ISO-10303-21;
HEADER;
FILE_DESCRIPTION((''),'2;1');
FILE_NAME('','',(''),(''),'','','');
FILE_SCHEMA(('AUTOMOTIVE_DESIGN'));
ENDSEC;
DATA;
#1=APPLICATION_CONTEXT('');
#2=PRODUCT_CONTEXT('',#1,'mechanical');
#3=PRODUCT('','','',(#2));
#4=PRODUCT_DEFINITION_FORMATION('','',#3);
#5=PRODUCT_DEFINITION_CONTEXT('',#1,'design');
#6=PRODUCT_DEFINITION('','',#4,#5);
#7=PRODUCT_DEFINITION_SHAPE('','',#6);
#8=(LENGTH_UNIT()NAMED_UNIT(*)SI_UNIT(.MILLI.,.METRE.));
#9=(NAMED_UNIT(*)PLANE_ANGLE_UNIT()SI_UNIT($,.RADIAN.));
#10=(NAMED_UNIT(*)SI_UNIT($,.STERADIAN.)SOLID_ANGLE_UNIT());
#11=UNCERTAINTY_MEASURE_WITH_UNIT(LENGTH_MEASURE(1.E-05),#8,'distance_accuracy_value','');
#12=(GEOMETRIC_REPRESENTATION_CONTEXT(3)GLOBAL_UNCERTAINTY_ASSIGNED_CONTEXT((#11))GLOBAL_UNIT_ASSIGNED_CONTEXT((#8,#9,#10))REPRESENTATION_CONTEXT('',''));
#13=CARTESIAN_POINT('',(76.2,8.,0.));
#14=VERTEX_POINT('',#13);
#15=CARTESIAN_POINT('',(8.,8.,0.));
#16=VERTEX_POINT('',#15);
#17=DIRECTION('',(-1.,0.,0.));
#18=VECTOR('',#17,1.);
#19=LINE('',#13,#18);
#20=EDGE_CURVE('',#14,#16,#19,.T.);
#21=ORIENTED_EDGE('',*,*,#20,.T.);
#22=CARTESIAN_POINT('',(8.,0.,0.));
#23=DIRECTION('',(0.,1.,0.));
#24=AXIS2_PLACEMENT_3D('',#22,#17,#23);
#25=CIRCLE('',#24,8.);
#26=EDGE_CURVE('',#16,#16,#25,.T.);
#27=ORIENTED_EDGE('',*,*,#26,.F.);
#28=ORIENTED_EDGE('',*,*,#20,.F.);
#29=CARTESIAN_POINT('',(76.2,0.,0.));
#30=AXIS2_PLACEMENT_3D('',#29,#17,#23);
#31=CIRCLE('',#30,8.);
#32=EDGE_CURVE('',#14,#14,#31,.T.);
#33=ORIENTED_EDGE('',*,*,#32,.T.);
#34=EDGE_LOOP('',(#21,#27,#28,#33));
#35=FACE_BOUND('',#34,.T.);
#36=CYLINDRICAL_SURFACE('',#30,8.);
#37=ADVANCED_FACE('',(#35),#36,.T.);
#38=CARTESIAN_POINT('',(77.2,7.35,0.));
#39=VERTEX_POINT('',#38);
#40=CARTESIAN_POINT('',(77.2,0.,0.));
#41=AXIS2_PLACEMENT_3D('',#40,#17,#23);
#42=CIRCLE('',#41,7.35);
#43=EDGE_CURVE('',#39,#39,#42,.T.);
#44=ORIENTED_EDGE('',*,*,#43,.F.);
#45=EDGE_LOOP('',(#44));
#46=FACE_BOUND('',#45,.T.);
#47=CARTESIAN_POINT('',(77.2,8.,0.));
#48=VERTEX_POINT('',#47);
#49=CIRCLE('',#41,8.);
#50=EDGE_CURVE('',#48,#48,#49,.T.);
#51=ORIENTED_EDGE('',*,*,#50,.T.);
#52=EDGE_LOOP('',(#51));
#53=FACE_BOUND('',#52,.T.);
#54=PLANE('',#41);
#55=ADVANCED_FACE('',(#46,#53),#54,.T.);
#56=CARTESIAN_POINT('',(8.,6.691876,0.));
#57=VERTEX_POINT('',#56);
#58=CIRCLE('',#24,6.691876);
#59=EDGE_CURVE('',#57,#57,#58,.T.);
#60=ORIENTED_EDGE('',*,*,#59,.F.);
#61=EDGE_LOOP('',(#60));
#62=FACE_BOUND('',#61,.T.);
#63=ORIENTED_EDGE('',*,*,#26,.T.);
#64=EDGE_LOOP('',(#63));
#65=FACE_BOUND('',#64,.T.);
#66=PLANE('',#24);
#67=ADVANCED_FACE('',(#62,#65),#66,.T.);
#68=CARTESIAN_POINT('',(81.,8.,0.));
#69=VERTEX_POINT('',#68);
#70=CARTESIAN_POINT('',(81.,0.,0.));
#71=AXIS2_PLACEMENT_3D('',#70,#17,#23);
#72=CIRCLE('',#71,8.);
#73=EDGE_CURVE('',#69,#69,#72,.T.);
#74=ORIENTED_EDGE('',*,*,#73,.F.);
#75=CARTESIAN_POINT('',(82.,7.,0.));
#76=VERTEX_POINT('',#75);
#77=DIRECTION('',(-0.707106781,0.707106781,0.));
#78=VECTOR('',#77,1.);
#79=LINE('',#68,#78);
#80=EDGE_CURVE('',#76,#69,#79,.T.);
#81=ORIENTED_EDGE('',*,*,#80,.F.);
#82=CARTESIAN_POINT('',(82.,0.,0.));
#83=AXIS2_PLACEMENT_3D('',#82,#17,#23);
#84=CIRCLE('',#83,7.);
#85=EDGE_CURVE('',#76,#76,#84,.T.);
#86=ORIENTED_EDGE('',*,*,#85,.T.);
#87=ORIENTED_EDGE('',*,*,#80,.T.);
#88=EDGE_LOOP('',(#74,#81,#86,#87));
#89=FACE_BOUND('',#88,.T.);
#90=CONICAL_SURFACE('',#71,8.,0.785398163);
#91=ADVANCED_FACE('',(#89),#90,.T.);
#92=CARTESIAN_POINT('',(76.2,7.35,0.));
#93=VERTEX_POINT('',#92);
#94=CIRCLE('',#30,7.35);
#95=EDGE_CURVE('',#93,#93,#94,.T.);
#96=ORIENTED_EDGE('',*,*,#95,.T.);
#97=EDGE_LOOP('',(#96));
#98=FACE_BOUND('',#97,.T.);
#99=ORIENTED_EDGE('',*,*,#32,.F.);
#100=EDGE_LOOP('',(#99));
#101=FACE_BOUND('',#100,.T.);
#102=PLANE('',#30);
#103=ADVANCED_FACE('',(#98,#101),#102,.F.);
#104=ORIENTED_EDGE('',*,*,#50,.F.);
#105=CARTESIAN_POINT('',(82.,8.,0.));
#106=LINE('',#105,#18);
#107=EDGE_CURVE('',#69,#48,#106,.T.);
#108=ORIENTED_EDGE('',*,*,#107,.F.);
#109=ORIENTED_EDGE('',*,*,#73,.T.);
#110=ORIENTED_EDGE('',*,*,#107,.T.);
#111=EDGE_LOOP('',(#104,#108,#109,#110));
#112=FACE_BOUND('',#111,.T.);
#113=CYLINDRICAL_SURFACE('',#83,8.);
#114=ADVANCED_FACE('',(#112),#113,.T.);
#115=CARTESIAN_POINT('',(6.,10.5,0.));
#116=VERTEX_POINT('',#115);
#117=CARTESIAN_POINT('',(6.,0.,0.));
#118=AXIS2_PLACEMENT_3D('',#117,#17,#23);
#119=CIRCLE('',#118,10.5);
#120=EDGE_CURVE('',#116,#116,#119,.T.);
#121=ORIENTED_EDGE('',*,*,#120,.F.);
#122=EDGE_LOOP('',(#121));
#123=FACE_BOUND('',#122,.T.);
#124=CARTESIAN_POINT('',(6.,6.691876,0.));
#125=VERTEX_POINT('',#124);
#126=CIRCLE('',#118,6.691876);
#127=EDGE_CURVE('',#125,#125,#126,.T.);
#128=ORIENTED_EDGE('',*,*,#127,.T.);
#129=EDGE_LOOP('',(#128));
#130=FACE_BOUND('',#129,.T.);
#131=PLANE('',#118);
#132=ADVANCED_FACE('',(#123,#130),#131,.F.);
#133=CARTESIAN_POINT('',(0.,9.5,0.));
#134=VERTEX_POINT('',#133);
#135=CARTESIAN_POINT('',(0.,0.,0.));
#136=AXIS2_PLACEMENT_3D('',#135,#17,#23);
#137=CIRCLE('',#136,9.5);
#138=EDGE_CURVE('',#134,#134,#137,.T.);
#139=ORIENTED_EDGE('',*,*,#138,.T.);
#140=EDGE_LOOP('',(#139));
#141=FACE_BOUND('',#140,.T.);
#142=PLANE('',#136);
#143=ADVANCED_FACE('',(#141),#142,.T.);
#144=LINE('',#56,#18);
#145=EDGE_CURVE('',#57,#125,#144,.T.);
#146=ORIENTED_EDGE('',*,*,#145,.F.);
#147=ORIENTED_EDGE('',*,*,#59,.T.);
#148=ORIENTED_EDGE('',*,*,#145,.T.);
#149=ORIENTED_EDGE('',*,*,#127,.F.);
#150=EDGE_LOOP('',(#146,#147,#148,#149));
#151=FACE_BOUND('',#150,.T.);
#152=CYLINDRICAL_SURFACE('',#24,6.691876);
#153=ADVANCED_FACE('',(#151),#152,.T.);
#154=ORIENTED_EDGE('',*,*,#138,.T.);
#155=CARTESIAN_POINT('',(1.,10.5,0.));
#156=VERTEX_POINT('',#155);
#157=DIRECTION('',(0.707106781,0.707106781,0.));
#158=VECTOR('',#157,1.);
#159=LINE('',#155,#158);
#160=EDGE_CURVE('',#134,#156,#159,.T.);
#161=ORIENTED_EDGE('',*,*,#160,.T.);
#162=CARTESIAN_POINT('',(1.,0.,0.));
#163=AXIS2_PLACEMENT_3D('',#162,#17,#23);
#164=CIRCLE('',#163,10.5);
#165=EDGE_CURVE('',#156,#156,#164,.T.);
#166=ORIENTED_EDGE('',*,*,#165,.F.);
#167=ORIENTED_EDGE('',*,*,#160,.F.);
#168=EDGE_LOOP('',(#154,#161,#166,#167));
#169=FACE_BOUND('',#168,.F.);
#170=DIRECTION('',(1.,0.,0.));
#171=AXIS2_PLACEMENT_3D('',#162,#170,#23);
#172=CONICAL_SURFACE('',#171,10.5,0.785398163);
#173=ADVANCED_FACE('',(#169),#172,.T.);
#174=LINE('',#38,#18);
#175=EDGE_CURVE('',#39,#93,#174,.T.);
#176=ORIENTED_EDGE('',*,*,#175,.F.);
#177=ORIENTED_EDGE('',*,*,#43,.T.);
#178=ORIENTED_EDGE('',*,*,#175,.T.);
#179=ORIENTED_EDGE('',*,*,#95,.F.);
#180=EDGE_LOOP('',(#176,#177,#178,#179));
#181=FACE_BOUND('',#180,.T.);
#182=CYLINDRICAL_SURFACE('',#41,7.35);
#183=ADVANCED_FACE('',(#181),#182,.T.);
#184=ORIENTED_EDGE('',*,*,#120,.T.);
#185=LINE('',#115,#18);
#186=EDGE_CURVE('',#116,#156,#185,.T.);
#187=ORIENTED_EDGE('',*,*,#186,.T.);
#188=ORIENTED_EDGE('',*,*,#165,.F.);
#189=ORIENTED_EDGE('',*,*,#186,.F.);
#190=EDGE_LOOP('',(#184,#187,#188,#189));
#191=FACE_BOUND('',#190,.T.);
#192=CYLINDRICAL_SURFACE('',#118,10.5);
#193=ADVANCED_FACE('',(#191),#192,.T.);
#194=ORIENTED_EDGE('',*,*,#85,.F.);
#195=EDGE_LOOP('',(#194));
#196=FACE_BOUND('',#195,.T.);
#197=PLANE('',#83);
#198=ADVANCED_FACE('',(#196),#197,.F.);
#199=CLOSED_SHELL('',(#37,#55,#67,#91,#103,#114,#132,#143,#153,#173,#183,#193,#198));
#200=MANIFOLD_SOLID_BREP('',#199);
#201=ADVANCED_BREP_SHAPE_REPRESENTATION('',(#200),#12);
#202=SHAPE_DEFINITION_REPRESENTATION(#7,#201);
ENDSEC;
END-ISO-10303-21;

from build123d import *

# Parameters (mm, degrees)
CHAMFER_1_SIZE = 1


with BuildPart() as part:
    # 草图1 → 旋转1 (revolve)
    with BuildSketch(Plane.XY):
        Polygon((0, 10.5), (0, 0), (82, 0), (82, 8), (77.2, 8), (77.2, 7.35), (76.2, 7.35), (76.2, 8), (8, 8), (8, 6.691876128), (6, 6.691876128), (6, 8), (6, 10.5), align=None)
    revolve(axis=Axis((82, 0, 0), (-1, 0, 0)))

    # 倒角1
    chamfer_1_edges = [part.edges().sort_by_distance(p)[0] for p in [
        (82, -8, 0),
        (0, -10.5, 0),
    ]]
    chamfer(chamfer_1_edges, length=CHAMFER_1_SIZE)


solid = part.part
